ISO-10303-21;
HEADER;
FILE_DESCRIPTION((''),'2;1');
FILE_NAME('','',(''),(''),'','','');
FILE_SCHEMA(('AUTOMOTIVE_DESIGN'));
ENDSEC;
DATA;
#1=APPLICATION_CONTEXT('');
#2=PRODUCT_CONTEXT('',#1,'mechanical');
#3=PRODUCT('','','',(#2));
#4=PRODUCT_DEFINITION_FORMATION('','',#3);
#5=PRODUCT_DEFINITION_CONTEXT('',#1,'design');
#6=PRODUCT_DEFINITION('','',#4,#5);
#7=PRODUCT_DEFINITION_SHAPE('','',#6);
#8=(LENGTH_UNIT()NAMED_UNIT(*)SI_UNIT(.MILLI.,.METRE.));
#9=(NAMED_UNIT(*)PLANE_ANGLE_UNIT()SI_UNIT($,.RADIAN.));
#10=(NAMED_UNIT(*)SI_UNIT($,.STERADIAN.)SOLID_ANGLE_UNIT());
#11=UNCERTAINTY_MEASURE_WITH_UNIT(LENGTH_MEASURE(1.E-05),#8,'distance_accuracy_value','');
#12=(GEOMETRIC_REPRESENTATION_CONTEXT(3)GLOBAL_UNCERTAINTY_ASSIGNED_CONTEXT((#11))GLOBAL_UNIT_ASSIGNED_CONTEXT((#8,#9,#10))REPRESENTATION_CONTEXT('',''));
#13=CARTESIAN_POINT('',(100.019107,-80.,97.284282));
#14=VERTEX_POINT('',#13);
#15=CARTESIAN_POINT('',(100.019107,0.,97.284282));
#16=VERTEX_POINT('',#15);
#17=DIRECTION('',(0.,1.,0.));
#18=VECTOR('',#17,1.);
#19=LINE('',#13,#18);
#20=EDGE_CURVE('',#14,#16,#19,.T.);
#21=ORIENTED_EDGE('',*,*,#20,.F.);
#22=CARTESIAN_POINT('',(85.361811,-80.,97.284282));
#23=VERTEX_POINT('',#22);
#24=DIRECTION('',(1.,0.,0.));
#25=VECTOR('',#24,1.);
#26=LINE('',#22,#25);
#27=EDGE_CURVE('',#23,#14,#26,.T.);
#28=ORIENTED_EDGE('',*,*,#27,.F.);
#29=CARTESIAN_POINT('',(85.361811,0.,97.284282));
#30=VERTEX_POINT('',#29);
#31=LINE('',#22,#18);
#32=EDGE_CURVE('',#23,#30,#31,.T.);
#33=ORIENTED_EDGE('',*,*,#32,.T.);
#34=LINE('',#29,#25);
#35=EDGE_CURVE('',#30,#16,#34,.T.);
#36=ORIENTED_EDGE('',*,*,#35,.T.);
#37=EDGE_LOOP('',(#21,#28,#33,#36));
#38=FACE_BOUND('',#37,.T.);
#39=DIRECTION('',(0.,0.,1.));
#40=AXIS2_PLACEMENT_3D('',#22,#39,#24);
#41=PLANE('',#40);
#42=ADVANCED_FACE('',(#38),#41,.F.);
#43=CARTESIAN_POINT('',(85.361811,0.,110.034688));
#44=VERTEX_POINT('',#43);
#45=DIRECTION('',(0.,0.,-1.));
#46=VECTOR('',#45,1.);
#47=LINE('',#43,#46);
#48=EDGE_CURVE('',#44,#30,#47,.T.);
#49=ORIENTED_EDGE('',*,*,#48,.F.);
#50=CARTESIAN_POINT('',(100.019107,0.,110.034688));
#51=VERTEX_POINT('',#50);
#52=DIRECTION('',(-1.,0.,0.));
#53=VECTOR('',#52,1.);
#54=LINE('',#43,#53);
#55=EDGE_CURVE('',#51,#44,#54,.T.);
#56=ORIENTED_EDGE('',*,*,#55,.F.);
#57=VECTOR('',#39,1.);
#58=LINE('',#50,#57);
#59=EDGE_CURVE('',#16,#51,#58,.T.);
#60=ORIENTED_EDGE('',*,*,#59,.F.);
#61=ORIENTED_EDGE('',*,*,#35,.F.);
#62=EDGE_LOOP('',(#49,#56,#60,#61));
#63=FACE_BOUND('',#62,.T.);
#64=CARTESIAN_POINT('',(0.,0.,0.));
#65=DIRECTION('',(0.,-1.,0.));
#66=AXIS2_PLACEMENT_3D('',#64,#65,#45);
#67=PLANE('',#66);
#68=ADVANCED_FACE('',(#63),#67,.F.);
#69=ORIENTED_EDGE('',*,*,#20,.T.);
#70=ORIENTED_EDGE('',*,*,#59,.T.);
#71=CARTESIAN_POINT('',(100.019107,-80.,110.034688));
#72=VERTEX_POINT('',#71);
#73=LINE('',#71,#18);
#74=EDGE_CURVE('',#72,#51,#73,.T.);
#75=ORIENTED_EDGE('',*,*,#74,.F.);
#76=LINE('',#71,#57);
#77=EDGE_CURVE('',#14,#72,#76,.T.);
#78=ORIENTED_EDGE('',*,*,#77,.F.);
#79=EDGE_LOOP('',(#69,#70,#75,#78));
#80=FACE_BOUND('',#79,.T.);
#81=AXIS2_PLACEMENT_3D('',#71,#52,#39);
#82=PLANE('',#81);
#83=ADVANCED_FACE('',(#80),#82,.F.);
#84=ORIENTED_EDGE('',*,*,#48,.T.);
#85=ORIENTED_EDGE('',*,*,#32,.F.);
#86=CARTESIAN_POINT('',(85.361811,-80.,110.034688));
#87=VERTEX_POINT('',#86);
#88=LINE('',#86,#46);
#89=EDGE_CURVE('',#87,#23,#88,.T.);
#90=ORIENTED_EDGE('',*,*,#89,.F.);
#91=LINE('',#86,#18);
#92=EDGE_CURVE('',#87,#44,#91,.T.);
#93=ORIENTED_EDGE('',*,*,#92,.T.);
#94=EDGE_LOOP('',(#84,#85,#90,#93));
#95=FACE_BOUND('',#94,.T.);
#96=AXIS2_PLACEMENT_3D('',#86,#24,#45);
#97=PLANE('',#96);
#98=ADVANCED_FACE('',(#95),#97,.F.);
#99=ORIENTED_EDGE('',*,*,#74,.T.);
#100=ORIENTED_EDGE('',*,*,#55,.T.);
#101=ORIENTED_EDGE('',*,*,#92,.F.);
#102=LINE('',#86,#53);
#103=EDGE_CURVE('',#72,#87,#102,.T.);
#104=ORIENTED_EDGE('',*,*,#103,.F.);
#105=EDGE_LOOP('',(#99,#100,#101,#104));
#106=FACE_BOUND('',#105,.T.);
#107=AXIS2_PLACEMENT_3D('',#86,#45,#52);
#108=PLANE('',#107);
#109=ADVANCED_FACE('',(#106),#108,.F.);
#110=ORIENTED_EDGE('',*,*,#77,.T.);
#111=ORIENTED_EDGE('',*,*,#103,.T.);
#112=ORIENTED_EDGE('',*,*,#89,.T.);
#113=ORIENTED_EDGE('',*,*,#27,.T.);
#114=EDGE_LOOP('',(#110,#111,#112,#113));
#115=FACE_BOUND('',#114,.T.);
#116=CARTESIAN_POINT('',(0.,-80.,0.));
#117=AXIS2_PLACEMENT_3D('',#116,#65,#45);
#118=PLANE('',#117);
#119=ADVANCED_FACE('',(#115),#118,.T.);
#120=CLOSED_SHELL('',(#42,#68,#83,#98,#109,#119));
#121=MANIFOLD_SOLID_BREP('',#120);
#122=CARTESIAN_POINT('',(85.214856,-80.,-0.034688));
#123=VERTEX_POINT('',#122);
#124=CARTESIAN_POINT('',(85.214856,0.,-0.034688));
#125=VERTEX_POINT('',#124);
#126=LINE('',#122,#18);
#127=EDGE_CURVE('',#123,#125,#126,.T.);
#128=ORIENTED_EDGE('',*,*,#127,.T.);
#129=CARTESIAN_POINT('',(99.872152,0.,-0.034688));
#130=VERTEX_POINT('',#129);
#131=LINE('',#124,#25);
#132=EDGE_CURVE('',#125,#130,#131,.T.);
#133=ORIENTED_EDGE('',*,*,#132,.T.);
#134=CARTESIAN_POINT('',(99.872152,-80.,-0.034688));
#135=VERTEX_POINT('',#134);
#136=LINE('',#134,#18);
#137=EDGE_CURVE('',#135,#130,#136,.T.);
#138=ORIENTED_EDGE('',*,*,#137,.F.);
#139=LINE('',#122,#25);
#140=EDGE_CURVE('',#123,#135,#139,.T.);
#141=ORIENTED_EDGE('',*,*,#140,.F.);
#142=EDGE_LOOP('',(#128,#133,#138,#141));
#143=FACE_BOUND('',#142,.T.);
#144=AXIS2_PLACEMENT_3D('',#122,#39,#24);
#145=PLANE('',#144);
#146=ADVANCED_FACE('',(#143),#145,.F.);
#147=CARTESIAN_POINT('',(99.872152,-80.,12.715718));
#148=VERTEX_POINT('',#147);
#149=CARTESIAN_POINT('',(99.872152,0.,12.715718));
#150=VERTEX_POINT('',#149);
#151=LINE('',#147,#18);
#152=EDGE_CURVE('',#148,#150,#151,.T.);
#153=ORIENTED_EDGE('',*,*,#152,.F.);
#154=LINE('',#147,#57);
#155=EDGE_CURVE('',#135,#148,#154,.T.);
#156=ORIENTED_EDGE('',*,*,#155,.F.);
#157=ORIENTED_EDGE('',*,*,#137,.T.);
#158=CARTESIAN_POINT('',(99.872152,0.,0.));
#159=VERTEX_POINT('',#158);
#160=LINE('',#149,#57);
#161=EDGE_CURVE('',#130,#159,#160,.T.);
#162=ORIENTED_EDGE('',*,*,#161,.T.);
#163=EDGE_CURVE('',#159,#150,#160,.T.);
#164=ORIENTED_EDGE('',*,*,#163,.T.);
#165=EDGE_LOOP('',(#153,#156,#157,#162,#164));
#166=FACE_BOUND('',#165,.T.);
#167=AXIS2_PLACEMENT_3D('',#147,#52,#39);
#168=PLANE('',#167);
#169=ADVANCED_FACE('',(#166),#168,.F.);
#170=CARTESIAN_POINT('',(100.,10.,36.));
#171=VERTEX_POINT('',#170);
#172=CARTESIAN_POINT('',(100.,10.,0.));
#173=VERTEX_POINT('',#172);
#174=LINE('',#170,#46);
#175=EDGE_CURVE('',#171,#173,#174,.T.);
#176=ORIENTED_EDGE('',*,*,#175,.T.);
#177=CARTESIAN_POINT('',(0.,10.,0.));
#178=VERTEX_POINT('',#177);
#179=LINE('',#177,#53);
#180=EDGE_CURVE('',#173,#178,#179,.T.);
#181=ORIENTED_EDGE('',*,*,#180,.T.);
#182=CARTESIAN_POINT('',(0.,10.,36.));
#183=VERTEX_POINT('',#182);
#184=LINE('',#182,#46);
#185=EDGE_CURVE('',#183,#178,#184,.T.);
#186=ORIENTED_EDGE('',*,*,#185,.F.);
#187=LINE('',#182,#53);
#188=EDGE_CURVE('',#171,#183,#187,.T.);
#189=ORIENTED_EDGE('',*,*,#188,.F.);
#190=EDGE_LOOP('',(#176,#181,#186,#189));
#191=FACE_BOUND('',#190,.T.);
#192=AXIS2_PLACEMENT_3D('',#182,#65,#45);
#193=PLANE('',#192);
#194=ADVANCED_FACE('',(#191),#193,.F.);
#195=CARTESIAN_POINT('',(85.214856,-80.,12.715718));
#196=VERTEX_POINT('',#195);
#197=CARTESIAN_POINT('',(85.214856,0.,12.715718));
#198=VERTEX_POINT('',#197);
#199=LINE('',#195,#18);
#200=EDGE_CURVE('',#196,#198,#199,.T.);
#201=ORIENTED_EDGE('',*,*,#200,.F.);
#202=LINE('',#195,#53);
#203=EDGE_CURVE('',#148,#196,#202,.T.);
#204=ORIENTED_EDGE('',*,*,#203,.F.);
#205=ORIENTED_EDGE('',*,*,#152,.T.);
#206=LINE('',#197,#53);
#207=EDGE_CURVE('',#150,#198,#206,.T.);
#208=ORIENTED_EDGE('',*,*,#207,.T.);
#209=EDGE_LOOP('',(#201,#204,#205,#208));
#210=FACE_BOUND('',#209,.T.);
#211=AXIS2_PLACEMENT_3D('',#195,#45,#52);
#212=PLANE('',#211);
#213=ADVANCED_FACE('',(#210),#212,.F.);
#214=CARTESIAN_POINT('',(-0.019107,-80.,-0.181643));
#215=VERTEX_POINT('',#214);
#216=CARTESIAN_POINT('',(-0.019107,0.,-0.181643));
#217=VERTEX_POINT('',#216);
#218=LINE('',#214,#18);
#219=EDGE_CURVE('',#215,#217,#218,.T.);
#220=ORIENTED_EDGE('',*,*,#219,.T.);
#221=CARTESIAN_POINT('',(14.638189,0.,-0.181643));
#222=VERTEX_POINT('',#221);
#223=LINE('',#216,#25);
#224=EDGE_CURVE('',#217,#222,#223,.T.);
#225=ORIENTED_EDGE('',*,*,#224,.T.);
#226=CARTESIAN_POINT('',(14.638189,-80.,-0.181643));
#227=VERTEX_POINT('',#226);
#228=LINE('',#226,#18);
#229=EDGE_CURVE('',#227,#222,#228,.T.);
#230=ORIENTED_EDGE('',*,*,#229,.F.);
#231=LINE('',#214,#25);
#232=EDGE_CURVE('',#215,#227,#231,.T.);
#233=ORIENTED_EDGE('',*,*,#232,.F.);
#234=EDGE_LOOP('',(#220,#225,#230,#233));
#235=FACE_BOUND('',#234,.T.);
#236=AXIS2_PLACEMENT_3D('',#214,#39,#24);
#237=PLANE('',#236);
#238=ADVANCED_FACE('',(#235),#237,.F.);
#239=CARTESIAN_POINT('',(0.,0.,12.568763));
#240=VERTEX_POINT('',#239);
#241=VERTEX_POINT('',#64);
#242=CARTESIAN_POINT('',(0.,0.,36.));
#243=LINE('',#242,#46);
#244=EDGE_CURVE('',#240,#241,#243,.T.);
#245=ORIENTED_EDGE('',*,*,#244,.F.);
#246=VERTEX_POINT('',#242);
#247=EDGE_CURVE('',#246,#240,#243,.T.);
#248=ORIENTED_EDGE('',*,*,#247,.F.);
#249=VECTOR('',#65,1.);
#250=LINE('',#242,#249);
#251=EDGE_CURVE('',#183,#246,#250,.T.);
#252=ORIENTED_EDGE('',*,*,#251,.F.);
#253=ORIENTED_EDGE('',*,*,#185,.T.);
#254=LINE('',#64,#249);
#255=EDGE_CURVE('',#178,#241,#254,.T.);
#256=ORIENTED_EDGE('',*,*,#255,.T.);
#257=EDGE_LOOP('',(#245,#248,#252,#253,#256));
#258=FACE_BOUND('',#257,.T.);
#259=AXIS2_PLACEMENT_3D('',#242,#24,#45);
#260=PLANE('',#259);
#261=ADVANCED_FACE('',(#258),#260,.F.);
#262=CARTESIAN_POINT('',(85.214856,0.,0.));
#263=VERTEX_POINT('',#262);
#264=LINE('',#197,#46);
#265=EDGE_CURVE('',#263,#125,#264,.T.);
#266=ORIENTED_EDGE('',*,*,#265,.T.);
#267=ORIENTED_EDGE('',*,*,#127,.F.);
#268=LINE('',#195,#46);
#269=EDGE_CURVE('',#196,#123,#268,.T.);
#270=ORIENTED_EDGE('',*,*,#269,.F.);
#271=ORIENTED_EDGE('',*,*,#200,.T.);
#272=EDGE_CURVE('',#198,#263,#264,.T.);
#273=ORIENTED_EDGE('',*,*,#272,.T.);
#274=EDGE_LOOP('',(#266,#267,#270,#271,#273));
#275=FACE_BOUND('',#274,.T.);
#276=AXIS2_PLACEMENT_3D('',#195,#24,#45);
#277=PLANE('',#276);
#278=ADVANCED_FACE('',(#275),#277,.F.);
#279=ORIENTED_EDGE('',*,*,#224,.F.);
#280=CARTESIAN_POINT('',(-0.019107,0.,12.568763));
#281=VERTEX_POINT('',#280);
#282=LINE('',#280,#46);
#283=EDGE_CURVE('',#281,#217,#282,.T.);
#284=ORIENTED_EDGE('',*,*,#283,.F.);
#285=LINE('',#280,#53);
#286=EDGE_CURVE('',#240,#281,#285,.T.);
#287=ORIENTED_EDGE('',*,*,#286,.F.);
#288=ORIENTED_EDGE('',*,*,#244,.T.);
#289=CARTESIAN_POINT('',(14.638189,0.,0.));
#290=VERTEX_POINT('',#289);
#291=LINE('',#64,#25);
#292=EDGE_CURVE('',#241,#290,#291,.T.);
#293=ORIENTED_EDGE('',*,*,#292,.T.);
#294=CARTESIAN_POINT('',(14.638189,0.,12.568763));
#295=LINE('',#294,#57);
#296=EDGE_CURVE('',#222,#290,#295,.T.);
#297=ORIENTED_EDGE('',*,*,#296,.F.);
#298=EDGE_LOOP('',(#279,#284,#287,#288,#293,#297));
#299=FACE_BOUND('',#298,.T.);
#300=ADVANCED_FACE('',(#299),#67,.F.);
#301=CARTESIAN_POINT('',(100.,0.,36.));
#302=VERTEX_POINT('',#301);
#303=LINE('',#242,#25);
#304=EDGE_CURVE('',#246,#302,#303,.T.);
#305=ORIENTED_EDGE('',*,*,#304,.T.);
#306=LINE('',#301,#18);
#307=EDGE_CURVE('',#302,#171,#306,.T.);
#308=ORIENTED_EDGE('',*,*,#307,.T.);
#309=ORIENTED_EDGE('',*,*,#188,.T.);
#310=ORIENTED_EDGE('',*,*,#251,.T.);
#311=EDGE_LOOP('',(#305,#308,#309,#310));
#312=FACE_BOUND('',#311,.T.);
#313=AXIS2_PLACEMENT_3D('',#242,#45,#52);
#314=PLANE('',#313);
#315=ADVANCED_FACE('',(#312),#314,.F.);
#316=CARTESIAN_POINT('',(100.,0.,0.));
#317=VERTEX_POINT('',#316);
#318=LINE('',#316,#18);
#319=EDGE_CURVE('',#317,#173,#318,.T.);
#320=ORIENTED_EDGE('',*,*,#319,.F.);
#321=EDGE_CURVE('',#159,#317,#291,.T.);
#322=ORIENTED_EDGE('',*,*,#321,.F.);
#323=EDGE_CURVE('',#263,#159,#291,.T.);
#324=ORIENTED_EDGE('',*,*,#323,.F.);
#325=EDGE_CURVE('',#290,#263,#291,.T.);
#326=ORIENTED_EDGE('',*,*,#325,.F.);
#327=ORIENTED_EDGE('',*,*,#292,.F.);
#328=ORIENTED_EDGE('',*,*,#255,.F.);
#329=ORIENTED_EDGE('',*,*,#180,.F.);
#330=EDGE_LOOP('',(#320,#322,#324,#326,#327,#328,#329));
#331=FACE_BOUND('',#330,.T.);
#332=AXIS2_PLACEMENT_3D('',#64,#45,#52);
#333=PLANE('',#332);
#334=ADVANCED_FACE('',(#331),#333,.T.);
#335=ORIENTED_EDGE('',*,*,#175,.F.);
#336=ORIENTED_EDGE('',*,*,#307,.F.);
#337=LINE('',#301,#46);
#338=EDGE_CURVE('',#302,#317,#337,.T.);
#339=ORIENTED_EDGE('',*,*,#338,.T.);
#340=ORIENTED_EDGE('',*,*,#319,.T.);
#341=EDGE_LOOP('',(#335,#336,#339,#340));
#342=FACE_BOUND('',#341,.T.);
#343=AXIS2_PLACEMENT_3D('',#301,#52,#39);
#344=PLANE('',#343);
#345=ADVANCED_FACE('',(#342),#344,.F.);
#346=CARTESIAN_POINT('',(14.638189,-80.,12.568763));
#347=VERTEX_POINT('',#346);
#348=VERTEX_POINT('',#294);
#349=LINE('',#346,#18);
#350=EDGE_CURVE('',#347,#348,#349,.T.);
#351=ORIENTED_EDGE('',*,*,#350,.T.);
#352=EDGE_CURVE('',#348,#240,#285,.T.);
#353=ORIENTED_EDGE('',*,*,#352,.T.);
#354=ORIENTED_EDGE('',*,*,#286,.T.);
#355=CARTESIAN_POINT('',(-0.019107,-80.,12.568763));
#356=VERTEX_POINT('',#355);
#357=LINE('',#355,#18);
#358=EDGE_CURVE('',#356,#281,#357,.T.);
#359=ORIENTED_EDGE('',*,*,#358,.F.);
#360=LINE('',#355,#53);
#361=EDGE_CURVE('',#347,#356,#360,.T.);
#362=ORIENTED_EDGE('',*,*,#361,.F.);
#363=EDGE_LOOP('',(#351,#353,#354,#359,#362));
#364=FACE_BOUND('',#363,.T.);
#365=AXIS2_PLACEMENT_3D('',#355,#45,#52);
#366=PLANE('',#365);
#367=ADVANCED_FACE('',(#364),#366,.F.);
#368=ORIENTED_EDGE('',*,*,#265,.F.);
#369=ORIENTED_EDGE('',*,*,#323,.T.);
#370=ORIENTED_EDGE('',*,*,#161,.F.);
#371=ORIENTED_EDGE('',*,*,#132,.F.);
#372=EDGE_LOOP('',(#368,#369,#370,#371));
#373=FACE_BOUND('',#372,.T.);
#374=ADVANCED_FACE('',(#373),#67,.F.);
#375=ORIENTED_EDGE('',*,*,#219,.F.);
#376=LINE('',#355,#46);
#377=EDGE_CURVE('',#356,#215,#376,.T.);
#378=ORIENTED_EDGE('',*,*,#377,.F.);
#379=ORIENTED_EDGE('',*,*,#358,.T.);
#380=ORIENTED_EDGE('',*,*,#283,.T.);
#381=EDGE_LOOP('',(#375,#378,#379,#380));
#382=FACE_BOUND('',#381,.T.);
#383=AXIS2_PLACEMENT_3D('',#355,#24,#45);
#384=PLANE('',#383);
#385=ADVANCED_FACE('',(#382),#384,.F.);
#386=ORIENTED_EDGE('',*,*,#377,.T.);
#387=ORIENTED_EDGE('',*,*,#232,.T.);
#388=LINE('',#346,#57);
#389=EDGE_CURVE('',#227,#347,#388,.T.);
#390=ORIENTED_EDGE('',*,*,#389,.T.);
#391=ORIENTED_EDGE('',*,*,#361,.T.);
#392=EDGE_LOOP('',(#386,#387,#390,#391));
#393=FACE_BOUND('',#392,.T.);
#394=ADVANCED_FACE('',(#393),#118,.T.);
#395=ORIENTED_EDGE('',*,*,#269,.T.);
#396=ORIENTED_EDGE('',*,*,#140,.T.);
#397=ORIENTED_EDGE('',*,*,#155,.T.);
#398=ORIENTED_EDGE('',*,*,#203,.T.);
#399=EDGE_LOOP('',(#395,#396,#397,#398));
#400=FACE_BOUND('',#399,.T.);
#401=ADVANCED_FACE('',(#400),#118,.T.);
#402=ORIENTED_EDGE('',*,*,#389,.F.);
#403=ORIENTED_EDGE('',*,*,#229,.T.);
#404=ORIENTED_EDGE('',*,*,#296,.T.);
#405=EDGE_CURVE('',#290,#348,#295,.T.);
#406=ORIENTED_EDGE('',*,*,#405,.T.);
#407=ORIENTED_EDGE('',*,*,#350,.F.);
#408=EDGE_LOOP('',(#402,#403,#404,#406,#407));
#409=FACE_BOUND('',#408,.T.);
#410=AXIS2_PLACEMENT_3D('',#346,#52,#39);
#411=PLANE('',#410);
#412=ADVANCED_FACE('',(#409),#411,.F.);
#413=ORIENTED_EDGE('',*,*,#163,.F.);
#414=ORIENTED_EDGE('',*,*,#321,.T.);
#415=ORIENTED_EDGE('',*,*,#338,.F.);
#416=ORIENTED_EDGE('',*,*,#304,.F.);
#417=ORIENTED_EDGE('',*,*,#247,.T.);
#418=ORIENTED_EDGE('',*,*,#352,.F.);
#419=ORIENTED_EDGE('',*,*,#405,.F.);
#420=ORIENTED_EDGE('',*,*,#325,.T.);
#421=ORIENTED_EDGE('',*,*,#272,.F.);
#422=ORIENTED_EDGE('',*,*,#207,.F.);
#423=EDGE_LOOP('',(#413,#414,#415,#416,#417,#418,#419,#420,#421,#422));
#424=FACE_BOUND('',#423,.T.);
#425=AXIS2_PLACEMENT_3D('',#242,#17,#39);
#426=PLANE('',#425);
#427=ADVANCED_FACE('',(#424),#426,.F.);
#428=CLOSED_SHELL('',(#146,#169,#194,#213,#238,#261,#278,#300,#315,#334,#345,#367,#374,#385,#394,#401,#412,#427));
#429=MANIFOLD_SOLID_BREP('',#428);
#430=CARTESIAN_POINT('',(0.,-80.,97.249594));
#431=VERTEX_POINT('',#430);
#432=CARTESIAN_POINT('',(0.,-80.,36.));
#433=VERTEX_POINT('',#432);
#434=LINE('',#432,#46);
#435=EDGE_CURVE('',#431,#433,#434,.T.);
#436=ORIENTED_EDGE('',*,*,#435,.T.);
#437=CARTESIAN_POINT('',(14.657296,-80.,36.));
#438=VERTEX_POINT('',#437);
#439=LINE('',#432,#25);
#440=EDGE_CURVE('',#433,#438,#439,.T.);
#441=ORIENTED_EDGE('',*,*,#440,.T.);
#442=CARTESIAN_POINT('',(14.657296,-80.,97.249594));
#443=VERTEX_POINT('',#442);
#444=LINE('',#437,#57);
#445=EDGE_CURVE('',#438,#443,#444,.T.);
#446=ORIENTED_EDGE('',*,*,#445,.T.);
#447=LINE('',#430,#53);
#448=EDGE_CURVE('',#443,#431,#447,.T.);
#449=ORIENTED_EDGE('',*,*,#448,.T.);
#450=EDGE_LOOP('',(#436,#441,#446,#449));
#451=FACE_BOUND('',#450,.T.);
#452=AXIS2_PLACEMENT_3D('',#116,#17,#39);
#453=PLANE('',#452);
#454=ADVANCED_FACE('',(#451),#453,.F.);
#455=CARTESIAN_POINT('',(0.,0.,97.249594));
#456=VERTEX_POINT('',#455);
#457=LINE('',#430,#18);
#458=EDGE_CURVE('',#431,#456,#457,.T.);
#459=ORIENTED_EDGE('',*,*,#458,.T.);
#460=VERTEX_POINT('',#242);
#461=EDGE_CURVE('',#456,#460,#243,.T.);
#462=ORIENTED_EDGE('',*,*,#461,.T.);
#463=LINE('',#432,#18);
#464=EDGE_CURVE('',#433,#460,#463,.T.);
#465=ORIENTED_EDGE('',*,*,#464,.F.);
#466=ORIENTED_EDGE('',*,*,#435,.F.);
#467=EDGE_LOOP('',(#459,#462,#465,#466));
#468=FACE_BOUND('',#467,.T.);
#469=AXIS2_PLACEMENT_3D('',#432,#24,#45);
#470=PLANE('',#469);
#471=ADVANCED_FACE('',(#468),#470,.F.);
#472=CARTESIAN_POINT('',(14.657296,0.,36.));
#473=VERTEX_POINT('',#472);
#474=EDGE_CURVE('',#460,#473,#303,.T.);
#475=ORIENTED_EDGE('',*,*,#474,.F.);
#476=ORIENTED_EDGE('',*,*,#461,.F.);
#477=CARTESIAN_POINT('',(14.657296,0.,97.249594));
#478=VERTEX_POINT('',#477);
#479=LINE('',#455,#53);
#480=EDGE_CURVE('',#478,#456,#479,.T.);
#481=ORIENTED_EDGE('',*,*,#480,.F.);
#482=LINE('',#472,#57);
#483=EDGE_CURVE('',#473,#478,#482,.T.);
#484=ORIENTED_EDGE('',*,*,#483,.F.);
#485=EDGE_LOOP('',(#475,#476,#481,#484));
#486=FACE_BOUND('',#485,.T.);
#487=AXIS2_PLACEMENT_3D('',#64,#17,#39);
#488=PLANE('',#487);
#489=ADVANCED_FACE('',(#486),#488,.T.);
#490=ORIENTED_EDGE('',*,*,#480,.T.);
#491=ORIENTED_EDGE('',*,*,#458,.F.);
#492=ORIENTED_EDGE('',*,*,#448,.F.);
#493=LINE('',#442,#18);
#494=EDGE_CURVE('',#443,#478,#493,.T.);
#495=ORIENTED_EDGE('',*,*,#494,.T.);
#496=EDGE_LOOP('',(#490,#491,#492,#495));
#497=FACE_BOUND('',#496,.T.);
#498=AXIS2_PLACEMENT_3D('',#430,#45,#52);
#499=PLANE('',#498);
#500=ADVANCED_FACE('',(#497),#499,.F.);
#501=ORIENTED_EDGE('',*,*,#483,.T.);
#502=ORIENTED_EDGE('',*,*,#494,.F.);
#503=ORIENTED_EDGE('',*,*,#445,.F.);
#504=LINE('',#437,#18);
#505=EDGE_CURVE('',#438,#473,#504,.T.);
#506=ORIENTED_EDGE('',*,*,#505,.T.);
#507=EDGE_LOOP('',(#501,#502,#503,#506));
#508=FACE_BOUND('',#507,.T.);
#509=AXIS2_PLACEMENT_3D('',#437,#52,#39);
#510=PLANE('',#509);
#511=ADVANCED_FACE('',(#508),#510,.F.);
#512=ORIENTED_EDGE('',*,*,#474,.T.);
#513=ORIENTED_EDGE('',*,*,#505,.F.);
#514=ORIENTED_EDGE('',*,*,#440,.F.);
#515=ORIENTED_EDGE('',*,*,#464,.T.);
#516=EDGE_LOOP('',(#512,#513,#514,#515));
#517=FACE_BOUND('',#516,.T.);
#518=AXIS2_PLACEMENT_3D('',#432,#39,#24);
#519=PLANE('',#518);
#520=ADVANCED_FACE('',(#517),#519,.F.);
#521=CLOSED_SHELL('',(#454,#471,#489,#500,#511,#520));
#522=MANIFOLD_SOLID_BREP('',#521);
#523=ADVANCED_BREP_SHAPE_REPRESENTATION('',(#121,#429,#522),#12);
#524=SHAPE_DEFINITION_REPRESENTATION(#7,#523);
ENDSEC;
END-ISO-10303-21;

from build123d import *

# Parameters (mm, degrees)
SKETCH1_W           = 100
SKETCH1_H           = 10
BOSS_EXTRUDE1_DEPTH = 36
SKETCH2_W           = 14.657296337
SKETCH2_H           = 12.750406224
SKETCH2_H_2         = 61.249593776
SKETCH2_W_2         = 14.657296336
BOSS_EXTRUDE2_DEPTH = 80


with BuildPart() as part:
    # Sketch1 → Boss-Extrude1 (new body)
    with BuildSketch(Plane.XY):
        with Locations((50, 5)):
            Rectangle(SKETCH1_W, SKETCH1_H)
    extrude(amount=BOSS_EXTRUDE1_DEPTH)

    # Sketch2 → Boss-Extrude2 (add)
    with BuildSketch(Plane.XZ):
        with Locations((92.690459103, 103.659485129)):
            Rectangle(SKETCH2_W, SKETCH2_H)
        with Locations((7.328648169, 66.624796888)):
            Rectangle(SKETCH2_W, SKETCH2_H_2)
        with Locations((7.309540898, 6.193559762)):
            Rectangle(SKETCH2_W, SKETCH2_H)
        with Locations((92.543503994, 6.340514871)):
            Rectangle(SKETCH2_W_2, SKETCH2_H)
    extrude(amount=BOSS_EXTRUDE2_DEPTH)


with BuildPart() as boss_extrude2_piece_1:
    # of the separate pieces the step leaves, piece 1, a body of its own (boss_extrude2_pieces)
    add(part.part.solids().sort_by_distance((0, -80, 36))[0])


with BuildPart() as boss_extrude2_piece_2:
    # of the separate pieces the step leaves, piece 2, a body of its own (boss_extrude2_pieces)
    add(part.part.solids().sort_by_distance((0, 0, 12.568762874))[0])


with BuildPart() as boss_extrude2_piece_3:
    # of the separate pieces the step leaves, piece 3, a body of its own (boss_extrude2_pieces)
    add(part.part.solids().sort_by_distance((85.361810934, 0, 110.034688241))[0])


solid = Compound([boss_extrude2_piece_1.part, boss_extrude2_piece_2.part, boss_extrude2_piece_3.part])
